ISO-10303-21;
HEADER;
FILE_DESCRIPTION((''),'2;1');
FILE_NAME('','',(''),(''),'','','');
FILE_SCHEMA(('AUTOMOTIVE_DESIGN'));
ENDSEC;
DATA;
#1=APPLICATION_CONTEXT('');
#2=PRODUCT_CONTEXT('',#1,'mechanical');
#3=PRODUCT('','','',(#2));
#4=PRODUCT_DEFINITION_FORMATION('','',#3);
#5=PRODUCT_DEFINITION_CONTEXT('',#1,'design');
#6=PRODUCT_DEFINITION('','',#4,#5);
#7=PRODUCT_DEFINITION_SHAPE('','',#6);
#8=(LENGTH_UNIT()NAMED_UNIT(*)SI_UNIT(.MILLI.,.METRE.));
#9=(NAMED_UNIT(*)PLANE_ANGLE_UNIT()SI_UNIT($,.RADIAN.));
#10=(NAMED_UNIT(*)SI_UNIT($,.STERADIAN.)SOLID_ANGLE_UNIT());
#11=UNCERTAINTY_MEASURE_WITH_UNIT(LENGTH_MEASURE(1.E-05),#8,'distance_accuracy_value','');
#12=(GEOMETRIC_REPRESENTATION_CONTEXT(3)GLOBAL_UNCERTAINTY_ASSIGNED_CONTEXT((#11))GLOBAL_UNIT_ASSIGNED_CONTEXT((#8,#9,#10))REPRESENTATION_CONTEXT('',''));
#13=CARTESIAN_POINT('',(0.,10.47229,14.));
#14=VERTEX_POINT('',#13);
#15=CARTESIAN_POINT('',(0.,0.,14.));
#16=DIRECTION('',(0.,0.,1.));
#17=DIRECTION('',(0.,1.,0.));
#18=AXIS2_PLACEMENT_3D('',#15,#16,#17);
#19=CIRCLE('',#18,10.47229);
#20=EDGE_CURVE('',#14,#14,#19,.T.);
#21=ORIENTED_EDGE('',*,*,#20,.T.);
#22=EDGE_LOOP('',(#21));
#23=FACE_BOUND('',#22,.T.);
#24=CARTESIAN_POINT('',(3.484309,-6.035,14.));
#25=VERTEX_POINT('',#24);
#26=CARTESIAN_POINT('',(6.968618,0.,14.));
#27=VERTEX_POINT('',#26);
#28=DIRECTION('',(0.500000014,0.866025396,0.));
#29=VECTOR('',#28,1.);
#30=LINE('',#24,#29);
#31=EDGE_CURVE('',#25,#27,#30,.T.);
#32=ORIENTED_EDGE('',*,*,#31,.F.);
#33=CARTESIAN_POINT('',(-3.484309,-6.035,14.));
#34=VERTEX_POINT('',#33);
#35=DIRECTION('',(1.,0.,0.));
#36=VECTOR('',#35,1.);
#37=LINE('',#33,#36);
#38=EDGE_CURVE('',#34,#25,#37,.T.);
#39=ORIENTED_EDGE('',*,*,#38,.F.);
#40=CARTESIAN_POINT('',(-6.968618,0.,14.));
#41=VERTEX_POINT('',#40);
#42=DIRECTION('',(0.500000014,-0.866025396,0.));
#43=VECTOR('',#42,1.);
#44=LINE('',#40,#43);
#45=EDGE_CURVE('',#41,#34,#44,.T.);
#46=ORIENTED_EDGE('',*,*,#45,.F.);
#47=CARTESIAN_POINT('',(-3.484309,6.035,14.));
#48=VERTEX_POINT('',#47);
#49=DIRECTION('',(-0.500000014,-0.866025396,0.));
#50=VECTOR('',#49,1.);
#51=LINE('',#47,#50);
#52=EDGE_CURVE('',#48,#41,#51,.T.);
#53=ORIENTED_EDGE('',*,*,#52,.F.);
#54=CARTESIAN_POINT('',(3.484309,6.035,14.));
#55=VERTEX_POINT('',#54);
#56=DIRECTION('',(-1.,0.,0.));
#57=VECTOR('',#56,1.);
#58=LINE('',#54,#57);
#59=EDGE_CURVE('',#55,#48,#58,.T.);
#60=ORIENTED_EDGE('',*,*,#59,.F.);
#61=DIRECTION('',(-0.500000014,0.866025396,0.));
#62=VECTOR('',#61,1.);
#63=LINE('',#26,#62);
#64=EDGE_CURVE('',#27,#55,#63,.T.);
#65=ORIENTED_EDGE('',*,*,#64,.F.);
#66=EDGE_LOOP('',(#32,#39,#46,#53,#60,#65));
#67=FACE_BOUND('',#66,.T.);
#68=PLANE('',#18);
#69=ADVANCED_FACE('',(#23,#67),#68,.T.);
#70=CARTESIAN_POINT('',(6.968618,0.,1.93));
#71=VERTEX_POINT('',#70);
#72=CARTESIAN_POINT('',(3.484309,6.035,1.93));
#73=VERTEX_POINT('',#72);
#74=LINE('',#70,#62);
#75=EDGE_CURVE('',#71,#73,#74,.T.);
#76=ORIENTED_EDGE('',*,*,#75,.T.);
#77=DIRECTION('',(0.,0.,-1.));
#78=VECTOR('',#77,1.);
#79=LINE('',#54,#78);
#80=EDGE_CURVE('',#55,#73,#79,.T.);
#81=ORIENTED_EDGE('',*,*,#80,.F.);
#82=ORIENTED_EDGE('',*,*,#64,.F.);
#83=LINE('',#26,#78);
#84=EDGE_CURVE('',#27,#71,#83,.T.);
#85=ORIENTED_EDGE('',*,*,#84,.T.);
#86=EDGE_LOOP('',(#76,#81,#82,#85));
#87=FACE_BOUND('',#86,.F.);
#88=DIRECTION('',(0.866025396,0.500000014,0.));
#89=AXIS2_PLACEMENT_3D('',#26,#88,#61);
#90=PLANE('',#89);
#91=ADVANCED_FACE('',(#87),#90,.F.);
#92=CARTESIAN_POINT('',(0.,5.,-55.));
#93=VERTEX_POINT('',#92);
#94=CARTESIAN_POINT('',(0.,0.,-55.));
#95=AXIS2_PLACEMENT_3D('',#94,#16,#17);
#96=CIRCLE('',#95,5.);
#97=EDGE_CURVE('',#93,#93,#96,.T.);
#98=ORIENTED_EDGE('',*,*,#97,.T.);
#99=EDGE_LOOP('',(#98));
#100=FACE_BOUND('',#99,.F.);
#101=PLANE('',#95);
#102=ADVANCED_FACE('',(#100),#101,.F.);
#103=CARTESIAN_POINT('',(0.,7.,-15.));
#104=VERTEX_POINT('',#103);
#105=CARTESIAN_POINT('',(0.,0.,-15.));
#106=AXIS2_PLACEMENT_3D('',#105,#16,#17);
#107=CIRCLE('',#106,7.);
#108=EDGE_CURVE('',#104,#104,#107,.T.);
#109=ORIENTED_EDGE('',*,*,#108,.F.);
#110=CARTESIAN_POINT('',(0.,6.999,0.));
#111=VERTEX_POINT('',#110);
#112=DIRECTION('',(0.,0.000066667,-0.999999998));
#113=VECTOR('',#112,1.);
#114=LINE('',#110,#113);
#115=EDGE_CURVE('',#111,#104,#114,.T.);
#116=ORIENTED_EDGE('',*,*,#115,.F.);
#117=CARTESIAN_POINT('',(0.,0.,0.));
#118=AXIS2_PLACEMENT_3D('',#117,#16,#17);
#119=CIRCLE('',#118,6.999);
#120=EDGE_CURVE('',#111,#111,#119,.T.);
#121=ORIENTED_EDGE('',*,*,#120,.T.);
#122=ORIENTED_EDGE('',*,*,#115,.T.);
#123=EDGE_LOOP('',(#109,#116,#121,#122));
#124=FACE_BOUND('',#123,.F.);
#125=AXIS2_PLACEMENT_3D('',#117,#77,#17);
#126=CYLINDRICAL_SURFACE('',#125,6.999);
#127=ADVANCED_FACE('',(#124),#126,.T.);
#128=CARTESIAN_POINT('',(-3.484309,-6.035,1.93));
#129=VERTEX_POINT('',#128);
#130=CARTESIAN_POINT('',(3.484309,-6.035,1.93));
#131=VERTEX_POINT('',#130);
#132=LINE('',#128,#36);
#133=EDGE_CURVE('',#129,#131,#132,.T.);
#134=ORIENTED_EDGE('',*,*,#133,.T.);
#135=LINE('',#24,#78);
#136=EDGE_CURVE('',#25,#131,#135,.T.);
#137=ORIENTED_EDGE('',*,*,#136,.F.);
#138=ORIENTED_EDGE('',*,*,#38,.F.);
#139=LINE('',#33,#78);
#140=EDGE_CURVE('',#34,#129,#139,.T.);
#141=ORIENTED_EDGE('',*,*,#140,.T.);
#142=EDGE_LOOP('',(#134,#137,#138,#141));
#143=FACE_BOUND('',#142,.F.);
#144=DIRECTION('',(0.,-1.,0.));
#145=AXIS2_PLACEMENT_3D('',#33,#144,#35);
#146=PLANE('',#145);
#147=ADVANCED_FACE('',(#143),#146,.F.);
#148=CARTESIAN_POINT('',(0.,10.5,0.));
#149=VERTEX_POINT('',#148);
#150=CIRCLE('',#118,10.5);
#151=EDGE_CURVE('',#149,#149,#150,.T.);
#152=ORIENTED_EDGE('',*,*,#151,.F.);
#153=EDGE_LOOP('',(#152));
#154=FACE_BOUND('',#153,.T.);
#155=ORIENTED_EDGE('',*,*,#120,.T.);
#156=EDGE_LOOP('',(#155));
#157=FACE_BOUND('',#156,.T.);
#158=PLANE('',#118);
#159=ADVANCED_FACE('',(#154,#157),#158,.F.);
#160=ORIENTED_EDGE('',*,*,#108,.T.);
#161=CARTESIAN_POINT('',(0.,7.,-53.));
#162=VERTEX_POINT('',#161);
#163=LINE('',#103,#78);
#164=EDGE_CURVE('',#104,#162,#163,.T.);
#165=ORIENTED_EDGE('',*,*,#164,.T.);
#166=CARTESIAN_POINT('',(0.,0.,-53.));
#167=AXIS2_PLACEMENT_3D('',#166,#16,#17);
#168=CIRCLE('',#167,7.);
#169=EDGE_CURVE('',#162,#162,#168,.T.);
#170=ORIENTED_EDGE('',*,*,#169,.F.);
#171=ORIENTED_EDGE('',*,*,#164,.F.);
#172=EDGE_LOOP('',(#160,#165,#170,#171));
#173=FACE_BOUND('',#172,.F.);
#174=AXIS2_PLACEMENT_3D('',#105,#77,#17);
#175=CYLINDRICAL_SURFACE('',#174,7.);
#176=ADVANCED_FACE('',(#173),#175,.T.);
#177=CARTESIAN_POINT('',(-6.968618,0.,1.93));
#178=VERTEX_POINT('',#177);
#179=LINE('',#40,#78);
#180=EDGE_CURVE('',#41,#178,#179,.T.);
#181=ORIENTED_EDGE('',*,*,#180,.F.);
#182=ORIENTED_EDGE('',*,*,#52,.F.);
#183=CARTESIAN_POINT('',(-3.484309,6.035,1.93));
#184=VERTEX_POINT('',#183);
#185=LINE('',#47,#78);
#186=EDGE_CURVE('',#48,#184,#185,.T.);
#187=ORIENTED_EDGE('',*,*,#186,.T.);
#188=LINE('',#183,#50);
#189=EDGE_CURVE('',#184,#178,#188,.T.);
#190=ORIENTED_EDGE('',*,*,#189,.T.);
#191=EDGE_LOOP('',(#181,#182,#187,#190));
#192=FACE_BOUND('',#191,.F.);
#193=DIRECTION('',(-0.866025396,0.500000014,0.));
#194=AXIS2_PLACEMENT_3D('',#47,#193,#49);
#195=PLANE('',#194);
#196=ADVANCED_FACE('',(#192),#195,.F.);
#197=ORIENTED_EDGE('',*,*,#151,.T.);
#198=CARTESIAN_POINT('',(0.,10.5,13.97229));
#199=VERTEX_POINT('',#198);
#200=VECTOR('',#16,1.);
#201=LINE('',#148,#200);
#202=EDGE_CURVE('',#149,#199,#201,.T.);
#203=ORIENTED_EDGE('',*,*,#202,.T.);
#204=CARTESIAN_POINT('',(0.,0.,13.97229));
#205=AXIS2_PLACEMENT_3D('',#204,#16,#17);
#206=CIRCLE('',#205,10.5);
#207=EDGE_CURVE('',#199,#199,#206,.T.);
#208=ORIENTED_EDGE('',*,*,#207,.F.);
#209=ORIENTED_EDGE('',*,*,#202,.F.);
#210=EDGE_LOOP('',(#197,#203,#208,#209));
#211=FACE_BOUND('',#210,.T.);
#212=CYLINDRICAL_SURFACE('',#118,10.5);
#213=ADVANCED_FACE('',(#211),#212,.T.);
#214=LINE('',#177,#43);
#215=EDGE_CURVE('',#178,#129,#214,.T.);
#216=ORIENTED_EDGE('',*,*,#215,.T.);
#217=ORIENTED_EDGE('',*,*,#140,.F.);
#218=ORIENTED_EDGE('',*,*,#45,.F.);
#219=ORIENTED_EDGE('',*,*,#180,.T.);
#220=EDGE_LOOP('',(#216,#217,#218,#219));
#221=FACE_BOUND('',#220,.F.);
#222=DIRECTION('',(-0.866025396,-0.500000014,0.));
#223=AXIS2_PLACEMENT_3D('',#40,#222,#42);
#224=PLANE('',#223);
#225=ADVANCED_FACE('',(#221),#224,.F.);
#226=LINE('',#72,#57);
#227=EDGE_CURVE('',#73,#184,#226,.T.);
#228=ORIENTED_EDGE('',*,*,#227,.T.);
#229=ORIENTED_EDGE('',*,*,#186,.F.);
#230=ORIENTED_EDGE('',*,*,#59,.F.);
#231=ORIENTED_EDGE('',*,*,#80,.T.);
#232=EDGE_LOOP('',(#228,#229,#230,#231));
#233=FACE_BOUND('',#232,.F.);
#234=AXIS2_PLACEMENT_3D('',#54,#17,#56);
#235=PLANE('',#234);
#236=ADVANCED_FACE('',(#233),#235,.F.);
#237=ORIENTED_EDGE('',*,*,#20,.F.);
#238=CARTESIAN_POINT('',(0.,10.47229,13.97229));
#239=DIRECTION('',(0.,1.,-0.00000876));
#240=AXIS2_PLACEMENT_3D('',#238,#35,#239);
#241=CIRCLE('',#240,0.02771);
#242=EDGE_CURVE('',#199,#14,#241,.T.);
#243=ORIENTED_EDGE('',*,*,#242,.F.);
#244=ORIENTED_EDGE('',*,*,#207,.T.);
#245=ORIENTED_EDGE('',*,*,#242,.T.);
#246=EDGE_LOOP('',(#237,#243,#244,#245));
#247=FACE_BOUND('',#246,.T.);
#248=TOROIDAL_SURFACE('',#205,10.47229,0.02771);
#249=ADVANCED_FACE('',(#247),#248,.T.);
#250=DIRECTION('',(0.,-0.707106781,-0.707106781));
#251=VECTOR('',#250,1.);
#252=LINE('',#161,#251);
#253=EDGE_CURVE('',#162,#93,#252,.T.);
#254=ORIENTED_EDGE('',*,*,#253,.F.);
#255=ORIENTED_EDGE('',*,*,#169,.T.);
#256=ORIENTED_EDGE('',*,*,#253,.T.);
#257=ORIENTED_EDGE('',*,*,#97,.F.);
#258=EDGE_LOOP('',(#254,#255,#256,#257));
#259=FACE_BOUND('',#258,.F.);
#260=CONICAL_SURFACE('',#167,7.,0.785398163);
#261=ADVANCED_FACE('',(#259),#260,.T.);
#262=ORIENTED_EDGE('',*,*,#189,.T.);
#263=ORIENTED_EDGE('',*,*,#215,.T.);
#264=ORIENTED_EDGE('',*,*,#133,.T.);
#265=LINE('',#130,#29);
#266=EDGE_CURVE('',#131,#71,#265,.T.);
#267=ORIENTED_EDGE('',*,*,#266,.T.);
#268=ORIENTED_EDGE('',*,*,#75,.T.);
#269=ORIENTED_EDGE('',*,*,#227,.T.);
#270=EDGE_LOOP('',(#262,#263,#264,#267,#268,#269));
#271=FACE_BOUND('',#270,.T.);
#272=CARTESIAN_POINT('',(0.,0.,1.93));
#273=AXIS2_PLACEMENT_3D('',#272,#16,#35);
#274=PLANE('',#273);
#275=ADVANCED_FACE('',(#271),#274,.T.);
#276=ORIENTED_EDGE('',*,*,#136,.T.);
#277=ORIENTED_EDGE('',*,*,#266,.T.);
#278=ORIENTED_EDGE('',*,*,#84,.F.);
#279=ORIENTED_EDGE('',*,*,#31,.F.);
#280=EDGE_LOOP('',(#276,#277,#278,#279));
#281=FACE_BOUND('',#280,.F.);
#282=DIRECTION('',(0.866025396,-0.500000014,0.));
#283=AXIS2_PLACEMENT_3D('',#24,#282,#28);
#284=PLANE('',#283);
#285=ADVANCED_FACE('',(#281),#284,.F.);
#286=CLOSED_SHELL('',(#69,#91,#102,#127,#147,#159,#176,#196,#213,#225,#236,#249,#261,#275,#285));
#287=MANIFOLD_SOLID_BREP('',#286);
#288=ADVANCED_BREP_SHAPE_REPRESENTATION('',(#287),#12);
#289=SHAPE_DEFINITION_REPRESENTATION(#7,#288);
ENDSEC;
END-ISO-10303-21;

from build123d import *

# Parameters (mm, degrees)
POCKET_DEPTH = 12.07


with BuildPart() as part:
    # Sketch → Revolve (revolve)
    with BuildSketch(Plane.YZ):
        with BuildLine():
            Line((6.999, 0), (10.5, 0))
            Line((10.5, 0), (10.5, 13.97229))
            ThreePointArc((10.5, 13.97229), (10.491884, 13.991884), (10.47229, 14))
            Line((10.47229, 14), (0, 14))
            Line((0, -55), (0, 14))
            Line((5, -55), (0, -55))
            Line((7, -53), (5, -55))
            Line((7, -15), (7, -53))
            Line((6.999, 0), (7, -15))
        make_face()
    revolve(axis=Axis((0, 0, 0), (0, 0, 1)))

    # Sketch001 → Pocket (cut)
    with BuildSketch(Plane.XY.offset(14)):
        Polygon((6.968618, 0), (3.484309, 6.035), (-3.484309, 6.035), (-6.968618, 0), (-3.484309, -6.035), (3.484309, -6.035), align=None)
    extrude(amount=-POCKET_DEPTH, mode=Mode.SUBTRACT)


solid = part.part
